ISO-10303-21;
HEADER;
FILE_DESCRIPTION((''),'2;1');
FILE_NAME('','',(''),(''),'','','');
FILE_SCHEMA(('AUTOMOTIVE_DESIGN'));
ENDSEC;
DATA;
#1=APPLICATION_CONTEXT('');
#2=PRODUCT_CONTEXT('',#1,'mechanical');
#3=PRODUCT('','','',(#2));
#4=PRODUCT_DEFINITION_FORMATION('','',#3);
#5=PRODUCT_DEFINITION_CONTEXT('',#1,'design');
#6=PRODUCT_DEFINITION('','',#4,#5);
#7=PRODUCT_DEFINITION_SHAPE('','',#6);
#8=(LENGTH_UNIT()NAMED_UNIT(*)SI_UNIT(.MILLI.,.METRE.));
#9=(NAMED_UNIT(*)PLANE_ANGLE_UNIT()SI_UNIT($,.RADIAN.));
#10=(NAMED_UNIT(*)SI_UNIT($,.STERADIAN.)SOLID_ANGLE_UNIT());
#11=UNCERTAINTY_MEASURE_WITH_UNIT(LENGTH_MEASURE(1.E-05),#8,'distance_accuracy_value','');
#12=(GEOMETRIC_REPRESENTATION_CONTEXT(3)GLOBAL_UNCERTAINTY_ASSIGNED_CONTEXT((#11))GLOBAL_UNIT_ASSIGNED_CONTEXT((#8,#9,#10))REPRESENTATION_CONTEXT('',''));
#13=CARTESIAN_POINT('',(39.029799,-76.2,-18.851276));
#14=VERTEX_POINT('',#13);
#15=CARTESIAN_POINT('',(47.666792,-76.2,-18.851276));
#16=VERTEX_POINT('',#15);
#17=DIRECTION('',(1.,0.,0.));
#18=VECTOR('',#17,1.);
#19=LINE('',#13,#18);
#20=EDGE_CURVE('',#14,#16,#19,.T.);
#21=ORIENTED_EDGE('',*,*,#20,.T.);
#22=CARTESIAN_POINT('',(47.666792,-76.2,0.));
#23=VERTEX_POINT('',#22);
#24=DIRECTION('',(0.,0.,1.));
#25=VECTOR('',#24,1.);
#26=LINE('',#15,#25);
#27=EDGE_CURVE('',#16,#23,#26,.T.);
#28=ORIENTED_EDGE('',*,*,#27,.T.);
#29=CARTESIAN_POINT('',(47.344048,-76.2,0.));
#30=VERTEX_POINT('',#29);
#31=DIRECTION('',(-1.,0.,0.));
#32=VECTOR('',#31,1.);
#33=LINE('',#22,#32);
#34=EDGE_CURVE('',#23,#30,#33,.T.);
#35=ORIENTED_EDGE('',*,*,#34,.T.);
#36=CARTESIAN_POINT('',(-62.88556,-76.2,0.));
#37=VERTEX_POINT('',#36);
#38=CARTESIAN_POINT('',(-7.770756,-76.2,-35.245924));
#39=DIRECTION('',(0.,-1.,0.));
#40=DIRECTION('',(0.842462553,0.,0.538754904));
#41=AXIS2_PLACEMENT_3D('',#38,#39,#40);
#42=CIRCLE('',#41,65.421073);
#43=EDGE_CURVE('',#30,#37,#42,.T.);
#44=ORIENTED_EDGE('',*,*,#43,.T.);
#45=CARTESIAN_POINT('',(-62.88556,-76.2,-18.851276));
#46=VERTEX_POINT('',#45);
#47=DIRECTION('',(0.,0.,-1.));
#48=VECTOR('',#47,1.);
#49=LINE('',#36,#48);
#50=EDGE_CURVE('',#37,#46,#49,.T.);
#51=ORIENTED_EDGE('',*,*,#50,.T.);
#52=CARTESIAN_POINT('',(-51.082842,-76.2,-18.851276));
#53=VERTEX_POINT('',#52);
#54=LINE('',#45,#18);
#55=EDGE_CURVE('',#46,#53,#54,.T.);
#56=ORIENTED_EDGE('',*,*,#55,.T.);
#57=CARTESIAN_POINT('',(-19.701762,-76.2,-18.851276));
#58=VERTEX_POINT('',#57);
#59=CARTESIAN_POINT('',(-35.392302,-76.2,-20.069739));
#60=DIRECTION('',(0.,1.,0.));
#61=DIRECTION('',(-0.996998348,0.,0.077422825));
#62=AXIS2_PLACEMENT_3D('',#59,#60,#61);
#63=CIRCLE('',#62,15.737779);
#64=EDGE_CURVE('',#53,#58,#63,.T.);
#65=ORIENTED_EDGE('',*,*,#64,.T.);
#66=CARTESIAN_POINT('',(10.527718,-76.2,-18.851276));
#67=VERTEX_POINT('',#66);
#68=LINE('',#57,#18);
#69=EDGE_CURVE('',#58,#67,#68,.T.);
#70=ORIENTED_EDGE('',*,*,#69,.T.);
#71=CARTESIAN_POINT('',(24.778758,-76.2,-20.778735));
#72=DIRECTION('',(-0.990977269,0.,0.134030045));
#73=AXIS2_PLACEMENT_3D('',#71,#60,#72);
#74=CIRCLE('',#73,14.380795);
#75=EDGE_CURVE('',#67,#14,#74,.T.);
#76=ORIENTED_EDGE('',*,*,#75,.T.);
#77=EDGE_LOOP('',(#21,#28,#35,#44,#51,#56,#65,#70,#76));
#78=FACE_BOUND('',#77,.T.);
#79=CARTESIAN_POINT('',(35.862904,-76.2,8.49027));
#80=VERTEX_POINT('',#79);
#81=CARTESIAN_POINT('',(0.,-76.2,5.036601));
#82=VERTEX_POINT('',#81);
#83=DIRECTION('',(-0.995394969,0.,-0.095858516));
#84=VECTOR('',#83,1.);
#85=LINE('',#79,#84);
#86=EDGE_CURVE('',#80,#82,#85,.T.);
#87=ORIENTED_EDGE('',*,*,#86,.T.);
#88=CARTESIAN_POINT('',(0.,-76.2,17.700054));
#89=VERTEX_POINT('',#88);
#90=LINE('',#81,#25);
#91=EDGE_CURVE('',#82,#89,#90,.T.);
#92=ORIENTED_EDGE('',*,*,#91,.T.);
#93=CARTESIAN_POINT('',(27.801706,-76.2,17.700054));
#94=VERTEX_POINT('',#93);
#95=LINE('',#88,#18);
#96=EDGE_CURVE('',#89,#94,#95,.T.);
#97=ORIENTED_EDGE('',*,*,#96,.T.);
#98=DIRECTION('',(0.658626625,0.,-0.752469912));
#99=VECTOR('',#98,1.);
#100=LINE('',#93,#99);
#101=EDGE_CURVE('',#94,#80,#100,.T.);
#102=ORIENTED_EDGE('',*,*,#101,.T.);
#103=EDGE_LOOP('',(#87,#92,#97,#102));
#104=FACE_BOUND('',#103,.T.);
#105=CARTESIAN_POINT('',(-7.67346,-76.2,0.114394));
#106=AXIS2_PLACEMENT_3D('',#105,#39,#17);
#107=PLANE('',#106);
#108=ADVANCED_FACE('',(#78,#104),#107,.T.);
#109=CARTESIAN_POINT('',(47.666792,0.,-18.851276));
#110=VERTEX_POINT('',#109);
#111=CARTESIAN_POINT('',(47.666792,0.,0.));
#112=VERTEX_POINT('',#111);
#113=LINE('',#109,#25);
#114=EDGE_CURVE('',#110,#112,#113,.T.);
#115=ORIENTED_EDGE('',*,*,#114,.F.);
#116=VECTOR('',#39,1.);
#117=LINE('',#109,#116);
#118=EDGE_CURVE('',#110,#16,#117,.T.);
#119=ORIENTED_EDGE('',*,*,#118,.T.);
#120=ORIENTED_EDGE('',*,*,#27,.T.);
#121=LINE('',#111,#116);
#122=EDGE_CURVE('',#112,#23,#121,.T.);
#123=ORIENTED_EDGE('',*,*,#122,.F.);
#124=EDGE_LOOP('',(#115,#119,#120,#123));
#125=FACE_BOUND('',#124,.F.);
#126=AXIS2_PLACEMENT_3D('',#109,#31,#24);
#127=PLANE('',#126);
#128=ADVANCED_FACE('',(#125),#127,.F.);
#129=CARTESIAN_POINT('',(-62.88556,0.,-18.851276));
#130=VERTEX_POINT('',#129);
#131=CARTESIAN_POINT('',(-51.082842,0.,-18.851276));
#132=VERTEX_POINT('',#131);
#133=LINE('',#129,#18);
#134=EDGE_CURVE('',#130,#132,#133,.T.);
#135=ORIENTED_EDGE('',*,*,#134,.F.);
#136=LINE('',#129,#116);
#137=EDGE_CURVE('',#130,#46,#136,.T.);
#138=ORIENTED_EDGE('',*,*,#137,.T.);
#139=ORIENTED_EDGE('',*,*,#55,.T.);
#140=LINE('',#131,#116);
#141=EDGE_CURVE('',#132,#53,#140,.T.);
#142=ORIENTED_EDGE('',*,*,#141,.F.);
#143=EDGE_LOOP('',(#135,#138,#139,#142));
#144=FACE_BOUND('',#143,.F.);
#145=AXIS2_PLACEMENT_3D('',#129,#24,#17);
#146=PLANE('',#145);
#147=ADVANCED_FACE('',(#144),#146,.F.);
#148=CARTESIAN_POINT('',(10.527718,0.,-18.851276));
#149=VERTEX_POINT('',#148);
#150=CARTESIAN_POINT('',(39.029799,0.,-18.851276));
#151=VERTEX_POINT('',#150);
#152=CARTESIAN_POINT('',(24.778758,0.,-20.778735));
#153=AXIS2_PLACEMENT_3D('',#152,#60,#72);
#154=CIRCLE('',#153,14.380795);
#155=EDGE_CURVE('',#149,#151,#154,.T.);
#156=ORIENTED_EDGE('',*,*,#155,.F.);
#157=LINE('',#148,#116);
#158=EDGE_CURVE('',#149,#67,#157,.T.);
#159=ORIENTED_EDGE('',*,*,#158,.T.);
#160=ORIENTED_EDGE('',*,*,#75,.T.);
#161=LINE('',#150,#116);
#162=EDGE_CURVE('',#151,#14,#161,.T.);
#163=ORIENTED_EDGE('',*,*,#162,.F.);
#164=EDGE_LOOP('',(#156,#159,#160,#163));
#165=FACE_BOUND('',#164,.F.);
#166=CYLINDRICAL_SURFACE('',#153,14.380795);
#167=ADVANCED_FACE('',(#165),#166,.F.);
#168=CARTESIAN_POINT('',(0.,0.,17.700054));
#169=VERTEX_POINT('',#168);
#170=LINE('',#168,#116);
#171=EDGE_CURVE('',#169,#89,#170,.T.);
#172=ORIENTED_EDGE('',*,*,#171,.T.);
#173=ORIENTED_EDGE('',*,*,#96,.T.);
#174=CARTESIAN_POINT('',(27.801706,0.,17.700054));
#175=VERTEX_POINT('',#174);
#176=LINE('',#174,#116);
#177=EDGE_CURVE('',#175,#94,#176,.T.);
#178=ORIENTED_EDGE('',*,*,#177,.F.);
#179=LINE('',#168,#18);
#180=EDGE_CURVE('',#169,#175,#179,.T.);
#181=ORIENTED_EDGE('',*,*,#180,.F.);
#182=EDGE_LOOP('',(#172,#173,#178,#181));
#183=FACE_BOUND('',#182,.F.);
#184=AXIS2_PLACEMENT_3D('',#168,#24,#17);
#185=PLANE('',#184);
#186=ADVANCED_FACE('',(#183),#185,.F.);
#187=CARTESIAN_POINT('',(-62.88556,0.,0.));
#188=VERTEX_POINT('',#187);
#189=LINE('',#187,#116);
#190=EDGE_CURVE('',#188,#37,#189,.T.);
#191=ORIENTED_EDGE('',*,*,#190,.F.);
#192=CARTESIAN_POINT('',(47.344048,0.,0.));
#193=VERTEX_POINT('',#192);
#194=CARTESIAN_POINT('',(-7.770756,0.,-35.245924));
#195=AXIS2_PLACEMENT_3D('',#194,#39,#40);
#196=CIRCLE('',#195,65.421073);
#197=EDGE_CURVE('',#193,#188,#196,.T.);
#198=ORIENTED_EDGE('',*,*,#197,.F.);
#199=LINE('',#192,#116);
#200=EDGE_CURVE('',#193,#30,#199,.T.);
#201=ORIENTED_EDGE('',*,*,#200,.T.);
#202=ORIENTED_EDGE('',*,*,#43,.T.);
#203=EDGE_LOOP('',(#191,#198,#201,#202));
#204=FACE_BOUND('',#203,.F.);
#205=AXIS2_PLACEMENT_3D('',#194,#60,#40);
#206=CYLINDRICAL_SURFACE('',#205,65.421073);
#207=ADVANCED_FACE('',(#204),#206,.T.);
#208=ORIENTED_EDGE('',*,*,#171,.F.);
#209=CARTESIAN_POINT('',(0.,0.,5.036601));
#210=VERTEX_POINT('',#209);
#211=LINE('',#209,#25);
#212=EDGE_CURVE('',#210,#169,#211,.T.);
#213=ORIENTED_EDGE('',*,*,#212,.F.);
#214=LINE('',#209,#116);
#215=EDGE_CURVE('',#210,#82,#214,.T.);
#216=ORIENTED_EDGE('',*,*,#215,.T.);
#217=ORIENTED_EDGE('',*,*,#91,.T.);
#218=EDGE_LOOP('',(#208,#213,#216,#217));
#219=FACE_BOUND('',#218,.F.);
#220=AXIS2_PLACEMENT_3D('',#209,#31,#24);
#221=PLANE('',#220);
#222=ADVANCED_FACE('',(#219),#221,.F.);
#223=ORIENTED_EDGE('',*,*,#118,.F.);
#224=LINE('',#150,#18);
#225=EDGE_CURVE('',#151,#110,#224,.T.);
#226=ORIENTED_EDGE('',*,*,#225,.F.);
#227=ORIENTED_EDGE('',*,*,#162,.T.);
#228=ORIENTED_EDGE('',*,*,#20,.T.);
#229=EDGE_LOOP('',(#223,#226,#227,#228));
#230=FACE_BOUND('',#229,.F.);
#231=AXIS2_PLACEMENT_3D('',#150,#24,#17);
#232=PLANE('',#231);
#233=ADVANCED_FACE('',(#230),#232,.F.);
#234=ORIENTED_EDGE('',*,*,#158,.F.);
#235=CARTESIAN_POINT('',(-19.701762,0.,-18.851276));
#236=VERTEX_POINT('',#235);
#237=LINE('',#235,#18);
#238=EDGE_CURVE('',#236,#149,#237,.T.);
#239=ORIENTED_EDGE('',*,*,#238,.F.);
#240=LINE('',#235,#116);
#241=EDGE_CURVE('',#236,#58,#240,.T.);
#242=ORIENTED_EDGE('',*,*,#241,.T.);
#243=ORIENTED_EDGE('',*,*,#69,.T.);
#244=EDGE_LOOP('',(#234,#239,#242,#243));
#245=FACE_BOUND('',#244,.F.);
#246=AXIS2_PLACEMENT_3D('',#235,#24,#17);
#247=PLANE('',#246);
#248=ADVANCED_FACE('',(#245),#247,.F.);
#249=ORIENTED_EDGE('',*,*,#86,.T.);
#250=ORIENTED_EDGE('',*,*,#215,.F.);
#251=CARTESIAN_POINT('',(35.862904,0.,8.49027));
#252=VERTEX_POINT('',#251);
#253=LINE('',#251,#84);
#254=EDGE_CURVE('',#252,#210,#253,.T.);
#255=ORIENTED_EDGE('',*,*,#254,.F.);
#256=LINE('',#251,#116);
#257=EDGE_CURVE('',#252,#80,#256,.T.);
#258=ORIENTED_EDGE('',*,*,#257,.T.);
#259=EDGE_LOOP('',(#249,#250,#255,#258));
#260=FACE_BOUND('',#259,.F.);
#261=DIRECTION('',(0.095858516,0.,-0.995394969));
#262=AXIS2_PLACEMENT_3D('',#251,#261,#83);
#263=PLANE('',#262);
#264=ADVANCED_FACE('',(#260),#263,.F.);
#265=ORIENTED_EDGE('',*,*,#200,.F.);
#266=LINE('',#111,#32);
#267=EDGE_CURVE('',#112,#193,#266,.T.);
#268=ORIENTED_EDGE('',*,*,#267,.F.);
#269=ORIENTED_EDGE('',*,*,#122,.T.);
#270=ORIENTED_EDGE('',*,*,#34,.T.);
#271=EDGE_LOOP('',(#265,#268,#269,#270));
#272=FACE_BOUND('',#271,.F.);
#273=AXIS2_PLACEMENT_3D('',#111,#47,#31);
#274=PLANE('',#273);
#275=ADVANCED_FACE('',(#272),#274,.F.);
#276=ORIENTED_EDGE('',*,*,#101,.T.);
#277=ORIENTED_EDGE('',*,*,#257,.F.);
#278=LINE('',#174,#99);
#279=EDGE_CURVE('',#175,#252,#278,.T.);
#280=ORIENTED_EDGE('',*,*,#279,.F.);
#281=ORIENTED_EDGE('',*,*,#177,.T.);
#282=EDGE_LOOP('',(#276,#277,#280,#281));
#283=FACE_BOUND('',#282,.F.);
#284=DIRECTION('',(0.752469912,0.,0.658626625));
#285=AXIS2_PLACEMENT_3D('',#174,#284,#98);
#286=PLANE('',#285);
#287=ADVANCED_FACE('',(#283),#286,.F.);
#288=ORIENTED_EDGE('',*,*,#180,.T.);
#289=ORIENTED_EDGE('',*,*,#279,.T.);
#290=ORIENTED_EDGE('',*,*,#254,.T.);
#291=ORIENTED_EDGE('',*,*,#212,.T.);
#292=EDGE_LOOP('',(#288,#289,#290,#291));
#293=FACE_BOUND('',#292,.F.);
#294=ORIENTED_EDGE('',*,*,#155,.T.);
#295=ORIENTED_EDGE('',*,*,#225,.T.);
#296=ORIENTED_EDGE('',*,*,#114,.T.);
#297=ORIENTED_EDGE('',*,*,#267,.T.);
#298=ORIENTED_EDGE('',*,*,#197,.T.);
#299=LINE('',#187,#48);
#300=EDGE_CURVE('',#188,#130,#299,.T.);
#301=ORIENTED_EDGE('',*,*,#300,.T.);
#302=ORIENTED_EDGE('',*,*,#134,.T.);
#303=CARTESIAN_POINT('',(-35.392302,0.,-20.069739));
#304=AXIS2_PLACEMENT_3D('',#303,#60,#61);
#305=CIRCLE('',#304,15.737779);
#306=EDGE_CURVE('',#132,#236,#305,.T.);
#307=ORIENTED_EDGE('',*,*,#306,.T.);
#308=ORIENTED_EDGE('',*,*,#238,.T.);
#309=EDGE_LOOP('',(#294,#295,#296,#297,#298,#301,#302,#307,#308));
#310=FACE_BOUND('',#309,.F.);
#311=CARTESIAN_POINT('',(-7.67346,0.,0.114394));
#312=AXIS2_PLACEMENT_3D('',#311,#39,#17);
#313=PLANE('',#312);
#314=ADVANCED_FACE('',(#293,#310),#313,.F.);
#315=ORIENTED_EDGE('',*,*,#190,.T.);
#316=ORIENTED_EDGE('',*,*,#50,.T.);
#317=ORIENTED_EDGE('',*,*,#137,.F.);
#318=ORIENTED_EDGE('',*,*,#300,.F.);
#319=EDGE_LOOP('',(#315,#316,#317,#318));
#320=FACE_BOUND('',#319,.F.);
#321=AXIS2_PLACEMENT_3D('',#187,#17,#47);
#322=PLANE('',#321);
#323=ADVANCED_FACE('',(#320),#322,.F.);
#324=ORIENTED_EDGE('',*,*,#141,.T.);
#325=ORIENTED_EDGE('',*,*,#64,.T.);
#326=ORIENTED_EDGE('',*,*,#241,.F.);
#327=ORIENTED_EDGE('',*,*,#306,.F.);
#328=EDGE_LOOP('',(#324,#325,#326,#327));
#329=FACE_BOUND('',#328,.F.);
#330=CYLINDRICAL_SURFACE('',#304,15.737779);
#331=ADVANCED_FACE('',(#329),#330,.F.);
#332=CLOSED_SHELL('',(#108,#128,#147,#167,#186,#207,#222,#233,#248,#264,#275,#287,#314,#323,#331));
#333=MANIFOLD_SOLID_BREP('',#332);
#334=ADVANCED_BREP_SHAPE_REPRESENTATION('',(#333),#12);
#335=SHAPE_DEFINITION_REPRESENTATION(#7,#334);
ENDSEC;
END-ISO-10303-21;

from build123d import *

# Parameters (mm, degrees)
F1_DEPTH = 76.2


with BuildPart() as f1:
    # F0 (on Front) → F1 (new body)
    with BuildSketch(Plane.XZ):
        with BuildLine():
            Line((47.666792, 0), (47.344048, 0))
            ThreePointArc((47.344048, 0), (-7.770756, 30.175149), (-62.88556, 0))
            Line((-62.88556, 0), (-62.88556, -18.851276))
            Line((-62.88556, -18.851276), (-51.082842, -18.851276))
            ThreePointArc((-51.082842, -18.851276), (-35.392302, -4.33196), (-19.701762, -18.851276))
            Line((-19.701762, -18.851276), (10.527718, -18.851276))
            ThreePointArc((10.527718, -18.851276), (24.778759, -6.39794), (39.029799, -18.851276))
            Line((39.029799, -18.851276), (47.666792, -18.851276))
            Line((47.666792, -18.851276), (47.666792, 0))
        make_face()
        Polygon((0, 17.700054), (18.013114, 17.700054), (27.801706, 17.700054), (35.862904, 8.49027), (0, 5.036601), align=None, mode=Mode.SUBTRACT)
    extrude(amount=F1_DEPTH)


solid = f1.part
